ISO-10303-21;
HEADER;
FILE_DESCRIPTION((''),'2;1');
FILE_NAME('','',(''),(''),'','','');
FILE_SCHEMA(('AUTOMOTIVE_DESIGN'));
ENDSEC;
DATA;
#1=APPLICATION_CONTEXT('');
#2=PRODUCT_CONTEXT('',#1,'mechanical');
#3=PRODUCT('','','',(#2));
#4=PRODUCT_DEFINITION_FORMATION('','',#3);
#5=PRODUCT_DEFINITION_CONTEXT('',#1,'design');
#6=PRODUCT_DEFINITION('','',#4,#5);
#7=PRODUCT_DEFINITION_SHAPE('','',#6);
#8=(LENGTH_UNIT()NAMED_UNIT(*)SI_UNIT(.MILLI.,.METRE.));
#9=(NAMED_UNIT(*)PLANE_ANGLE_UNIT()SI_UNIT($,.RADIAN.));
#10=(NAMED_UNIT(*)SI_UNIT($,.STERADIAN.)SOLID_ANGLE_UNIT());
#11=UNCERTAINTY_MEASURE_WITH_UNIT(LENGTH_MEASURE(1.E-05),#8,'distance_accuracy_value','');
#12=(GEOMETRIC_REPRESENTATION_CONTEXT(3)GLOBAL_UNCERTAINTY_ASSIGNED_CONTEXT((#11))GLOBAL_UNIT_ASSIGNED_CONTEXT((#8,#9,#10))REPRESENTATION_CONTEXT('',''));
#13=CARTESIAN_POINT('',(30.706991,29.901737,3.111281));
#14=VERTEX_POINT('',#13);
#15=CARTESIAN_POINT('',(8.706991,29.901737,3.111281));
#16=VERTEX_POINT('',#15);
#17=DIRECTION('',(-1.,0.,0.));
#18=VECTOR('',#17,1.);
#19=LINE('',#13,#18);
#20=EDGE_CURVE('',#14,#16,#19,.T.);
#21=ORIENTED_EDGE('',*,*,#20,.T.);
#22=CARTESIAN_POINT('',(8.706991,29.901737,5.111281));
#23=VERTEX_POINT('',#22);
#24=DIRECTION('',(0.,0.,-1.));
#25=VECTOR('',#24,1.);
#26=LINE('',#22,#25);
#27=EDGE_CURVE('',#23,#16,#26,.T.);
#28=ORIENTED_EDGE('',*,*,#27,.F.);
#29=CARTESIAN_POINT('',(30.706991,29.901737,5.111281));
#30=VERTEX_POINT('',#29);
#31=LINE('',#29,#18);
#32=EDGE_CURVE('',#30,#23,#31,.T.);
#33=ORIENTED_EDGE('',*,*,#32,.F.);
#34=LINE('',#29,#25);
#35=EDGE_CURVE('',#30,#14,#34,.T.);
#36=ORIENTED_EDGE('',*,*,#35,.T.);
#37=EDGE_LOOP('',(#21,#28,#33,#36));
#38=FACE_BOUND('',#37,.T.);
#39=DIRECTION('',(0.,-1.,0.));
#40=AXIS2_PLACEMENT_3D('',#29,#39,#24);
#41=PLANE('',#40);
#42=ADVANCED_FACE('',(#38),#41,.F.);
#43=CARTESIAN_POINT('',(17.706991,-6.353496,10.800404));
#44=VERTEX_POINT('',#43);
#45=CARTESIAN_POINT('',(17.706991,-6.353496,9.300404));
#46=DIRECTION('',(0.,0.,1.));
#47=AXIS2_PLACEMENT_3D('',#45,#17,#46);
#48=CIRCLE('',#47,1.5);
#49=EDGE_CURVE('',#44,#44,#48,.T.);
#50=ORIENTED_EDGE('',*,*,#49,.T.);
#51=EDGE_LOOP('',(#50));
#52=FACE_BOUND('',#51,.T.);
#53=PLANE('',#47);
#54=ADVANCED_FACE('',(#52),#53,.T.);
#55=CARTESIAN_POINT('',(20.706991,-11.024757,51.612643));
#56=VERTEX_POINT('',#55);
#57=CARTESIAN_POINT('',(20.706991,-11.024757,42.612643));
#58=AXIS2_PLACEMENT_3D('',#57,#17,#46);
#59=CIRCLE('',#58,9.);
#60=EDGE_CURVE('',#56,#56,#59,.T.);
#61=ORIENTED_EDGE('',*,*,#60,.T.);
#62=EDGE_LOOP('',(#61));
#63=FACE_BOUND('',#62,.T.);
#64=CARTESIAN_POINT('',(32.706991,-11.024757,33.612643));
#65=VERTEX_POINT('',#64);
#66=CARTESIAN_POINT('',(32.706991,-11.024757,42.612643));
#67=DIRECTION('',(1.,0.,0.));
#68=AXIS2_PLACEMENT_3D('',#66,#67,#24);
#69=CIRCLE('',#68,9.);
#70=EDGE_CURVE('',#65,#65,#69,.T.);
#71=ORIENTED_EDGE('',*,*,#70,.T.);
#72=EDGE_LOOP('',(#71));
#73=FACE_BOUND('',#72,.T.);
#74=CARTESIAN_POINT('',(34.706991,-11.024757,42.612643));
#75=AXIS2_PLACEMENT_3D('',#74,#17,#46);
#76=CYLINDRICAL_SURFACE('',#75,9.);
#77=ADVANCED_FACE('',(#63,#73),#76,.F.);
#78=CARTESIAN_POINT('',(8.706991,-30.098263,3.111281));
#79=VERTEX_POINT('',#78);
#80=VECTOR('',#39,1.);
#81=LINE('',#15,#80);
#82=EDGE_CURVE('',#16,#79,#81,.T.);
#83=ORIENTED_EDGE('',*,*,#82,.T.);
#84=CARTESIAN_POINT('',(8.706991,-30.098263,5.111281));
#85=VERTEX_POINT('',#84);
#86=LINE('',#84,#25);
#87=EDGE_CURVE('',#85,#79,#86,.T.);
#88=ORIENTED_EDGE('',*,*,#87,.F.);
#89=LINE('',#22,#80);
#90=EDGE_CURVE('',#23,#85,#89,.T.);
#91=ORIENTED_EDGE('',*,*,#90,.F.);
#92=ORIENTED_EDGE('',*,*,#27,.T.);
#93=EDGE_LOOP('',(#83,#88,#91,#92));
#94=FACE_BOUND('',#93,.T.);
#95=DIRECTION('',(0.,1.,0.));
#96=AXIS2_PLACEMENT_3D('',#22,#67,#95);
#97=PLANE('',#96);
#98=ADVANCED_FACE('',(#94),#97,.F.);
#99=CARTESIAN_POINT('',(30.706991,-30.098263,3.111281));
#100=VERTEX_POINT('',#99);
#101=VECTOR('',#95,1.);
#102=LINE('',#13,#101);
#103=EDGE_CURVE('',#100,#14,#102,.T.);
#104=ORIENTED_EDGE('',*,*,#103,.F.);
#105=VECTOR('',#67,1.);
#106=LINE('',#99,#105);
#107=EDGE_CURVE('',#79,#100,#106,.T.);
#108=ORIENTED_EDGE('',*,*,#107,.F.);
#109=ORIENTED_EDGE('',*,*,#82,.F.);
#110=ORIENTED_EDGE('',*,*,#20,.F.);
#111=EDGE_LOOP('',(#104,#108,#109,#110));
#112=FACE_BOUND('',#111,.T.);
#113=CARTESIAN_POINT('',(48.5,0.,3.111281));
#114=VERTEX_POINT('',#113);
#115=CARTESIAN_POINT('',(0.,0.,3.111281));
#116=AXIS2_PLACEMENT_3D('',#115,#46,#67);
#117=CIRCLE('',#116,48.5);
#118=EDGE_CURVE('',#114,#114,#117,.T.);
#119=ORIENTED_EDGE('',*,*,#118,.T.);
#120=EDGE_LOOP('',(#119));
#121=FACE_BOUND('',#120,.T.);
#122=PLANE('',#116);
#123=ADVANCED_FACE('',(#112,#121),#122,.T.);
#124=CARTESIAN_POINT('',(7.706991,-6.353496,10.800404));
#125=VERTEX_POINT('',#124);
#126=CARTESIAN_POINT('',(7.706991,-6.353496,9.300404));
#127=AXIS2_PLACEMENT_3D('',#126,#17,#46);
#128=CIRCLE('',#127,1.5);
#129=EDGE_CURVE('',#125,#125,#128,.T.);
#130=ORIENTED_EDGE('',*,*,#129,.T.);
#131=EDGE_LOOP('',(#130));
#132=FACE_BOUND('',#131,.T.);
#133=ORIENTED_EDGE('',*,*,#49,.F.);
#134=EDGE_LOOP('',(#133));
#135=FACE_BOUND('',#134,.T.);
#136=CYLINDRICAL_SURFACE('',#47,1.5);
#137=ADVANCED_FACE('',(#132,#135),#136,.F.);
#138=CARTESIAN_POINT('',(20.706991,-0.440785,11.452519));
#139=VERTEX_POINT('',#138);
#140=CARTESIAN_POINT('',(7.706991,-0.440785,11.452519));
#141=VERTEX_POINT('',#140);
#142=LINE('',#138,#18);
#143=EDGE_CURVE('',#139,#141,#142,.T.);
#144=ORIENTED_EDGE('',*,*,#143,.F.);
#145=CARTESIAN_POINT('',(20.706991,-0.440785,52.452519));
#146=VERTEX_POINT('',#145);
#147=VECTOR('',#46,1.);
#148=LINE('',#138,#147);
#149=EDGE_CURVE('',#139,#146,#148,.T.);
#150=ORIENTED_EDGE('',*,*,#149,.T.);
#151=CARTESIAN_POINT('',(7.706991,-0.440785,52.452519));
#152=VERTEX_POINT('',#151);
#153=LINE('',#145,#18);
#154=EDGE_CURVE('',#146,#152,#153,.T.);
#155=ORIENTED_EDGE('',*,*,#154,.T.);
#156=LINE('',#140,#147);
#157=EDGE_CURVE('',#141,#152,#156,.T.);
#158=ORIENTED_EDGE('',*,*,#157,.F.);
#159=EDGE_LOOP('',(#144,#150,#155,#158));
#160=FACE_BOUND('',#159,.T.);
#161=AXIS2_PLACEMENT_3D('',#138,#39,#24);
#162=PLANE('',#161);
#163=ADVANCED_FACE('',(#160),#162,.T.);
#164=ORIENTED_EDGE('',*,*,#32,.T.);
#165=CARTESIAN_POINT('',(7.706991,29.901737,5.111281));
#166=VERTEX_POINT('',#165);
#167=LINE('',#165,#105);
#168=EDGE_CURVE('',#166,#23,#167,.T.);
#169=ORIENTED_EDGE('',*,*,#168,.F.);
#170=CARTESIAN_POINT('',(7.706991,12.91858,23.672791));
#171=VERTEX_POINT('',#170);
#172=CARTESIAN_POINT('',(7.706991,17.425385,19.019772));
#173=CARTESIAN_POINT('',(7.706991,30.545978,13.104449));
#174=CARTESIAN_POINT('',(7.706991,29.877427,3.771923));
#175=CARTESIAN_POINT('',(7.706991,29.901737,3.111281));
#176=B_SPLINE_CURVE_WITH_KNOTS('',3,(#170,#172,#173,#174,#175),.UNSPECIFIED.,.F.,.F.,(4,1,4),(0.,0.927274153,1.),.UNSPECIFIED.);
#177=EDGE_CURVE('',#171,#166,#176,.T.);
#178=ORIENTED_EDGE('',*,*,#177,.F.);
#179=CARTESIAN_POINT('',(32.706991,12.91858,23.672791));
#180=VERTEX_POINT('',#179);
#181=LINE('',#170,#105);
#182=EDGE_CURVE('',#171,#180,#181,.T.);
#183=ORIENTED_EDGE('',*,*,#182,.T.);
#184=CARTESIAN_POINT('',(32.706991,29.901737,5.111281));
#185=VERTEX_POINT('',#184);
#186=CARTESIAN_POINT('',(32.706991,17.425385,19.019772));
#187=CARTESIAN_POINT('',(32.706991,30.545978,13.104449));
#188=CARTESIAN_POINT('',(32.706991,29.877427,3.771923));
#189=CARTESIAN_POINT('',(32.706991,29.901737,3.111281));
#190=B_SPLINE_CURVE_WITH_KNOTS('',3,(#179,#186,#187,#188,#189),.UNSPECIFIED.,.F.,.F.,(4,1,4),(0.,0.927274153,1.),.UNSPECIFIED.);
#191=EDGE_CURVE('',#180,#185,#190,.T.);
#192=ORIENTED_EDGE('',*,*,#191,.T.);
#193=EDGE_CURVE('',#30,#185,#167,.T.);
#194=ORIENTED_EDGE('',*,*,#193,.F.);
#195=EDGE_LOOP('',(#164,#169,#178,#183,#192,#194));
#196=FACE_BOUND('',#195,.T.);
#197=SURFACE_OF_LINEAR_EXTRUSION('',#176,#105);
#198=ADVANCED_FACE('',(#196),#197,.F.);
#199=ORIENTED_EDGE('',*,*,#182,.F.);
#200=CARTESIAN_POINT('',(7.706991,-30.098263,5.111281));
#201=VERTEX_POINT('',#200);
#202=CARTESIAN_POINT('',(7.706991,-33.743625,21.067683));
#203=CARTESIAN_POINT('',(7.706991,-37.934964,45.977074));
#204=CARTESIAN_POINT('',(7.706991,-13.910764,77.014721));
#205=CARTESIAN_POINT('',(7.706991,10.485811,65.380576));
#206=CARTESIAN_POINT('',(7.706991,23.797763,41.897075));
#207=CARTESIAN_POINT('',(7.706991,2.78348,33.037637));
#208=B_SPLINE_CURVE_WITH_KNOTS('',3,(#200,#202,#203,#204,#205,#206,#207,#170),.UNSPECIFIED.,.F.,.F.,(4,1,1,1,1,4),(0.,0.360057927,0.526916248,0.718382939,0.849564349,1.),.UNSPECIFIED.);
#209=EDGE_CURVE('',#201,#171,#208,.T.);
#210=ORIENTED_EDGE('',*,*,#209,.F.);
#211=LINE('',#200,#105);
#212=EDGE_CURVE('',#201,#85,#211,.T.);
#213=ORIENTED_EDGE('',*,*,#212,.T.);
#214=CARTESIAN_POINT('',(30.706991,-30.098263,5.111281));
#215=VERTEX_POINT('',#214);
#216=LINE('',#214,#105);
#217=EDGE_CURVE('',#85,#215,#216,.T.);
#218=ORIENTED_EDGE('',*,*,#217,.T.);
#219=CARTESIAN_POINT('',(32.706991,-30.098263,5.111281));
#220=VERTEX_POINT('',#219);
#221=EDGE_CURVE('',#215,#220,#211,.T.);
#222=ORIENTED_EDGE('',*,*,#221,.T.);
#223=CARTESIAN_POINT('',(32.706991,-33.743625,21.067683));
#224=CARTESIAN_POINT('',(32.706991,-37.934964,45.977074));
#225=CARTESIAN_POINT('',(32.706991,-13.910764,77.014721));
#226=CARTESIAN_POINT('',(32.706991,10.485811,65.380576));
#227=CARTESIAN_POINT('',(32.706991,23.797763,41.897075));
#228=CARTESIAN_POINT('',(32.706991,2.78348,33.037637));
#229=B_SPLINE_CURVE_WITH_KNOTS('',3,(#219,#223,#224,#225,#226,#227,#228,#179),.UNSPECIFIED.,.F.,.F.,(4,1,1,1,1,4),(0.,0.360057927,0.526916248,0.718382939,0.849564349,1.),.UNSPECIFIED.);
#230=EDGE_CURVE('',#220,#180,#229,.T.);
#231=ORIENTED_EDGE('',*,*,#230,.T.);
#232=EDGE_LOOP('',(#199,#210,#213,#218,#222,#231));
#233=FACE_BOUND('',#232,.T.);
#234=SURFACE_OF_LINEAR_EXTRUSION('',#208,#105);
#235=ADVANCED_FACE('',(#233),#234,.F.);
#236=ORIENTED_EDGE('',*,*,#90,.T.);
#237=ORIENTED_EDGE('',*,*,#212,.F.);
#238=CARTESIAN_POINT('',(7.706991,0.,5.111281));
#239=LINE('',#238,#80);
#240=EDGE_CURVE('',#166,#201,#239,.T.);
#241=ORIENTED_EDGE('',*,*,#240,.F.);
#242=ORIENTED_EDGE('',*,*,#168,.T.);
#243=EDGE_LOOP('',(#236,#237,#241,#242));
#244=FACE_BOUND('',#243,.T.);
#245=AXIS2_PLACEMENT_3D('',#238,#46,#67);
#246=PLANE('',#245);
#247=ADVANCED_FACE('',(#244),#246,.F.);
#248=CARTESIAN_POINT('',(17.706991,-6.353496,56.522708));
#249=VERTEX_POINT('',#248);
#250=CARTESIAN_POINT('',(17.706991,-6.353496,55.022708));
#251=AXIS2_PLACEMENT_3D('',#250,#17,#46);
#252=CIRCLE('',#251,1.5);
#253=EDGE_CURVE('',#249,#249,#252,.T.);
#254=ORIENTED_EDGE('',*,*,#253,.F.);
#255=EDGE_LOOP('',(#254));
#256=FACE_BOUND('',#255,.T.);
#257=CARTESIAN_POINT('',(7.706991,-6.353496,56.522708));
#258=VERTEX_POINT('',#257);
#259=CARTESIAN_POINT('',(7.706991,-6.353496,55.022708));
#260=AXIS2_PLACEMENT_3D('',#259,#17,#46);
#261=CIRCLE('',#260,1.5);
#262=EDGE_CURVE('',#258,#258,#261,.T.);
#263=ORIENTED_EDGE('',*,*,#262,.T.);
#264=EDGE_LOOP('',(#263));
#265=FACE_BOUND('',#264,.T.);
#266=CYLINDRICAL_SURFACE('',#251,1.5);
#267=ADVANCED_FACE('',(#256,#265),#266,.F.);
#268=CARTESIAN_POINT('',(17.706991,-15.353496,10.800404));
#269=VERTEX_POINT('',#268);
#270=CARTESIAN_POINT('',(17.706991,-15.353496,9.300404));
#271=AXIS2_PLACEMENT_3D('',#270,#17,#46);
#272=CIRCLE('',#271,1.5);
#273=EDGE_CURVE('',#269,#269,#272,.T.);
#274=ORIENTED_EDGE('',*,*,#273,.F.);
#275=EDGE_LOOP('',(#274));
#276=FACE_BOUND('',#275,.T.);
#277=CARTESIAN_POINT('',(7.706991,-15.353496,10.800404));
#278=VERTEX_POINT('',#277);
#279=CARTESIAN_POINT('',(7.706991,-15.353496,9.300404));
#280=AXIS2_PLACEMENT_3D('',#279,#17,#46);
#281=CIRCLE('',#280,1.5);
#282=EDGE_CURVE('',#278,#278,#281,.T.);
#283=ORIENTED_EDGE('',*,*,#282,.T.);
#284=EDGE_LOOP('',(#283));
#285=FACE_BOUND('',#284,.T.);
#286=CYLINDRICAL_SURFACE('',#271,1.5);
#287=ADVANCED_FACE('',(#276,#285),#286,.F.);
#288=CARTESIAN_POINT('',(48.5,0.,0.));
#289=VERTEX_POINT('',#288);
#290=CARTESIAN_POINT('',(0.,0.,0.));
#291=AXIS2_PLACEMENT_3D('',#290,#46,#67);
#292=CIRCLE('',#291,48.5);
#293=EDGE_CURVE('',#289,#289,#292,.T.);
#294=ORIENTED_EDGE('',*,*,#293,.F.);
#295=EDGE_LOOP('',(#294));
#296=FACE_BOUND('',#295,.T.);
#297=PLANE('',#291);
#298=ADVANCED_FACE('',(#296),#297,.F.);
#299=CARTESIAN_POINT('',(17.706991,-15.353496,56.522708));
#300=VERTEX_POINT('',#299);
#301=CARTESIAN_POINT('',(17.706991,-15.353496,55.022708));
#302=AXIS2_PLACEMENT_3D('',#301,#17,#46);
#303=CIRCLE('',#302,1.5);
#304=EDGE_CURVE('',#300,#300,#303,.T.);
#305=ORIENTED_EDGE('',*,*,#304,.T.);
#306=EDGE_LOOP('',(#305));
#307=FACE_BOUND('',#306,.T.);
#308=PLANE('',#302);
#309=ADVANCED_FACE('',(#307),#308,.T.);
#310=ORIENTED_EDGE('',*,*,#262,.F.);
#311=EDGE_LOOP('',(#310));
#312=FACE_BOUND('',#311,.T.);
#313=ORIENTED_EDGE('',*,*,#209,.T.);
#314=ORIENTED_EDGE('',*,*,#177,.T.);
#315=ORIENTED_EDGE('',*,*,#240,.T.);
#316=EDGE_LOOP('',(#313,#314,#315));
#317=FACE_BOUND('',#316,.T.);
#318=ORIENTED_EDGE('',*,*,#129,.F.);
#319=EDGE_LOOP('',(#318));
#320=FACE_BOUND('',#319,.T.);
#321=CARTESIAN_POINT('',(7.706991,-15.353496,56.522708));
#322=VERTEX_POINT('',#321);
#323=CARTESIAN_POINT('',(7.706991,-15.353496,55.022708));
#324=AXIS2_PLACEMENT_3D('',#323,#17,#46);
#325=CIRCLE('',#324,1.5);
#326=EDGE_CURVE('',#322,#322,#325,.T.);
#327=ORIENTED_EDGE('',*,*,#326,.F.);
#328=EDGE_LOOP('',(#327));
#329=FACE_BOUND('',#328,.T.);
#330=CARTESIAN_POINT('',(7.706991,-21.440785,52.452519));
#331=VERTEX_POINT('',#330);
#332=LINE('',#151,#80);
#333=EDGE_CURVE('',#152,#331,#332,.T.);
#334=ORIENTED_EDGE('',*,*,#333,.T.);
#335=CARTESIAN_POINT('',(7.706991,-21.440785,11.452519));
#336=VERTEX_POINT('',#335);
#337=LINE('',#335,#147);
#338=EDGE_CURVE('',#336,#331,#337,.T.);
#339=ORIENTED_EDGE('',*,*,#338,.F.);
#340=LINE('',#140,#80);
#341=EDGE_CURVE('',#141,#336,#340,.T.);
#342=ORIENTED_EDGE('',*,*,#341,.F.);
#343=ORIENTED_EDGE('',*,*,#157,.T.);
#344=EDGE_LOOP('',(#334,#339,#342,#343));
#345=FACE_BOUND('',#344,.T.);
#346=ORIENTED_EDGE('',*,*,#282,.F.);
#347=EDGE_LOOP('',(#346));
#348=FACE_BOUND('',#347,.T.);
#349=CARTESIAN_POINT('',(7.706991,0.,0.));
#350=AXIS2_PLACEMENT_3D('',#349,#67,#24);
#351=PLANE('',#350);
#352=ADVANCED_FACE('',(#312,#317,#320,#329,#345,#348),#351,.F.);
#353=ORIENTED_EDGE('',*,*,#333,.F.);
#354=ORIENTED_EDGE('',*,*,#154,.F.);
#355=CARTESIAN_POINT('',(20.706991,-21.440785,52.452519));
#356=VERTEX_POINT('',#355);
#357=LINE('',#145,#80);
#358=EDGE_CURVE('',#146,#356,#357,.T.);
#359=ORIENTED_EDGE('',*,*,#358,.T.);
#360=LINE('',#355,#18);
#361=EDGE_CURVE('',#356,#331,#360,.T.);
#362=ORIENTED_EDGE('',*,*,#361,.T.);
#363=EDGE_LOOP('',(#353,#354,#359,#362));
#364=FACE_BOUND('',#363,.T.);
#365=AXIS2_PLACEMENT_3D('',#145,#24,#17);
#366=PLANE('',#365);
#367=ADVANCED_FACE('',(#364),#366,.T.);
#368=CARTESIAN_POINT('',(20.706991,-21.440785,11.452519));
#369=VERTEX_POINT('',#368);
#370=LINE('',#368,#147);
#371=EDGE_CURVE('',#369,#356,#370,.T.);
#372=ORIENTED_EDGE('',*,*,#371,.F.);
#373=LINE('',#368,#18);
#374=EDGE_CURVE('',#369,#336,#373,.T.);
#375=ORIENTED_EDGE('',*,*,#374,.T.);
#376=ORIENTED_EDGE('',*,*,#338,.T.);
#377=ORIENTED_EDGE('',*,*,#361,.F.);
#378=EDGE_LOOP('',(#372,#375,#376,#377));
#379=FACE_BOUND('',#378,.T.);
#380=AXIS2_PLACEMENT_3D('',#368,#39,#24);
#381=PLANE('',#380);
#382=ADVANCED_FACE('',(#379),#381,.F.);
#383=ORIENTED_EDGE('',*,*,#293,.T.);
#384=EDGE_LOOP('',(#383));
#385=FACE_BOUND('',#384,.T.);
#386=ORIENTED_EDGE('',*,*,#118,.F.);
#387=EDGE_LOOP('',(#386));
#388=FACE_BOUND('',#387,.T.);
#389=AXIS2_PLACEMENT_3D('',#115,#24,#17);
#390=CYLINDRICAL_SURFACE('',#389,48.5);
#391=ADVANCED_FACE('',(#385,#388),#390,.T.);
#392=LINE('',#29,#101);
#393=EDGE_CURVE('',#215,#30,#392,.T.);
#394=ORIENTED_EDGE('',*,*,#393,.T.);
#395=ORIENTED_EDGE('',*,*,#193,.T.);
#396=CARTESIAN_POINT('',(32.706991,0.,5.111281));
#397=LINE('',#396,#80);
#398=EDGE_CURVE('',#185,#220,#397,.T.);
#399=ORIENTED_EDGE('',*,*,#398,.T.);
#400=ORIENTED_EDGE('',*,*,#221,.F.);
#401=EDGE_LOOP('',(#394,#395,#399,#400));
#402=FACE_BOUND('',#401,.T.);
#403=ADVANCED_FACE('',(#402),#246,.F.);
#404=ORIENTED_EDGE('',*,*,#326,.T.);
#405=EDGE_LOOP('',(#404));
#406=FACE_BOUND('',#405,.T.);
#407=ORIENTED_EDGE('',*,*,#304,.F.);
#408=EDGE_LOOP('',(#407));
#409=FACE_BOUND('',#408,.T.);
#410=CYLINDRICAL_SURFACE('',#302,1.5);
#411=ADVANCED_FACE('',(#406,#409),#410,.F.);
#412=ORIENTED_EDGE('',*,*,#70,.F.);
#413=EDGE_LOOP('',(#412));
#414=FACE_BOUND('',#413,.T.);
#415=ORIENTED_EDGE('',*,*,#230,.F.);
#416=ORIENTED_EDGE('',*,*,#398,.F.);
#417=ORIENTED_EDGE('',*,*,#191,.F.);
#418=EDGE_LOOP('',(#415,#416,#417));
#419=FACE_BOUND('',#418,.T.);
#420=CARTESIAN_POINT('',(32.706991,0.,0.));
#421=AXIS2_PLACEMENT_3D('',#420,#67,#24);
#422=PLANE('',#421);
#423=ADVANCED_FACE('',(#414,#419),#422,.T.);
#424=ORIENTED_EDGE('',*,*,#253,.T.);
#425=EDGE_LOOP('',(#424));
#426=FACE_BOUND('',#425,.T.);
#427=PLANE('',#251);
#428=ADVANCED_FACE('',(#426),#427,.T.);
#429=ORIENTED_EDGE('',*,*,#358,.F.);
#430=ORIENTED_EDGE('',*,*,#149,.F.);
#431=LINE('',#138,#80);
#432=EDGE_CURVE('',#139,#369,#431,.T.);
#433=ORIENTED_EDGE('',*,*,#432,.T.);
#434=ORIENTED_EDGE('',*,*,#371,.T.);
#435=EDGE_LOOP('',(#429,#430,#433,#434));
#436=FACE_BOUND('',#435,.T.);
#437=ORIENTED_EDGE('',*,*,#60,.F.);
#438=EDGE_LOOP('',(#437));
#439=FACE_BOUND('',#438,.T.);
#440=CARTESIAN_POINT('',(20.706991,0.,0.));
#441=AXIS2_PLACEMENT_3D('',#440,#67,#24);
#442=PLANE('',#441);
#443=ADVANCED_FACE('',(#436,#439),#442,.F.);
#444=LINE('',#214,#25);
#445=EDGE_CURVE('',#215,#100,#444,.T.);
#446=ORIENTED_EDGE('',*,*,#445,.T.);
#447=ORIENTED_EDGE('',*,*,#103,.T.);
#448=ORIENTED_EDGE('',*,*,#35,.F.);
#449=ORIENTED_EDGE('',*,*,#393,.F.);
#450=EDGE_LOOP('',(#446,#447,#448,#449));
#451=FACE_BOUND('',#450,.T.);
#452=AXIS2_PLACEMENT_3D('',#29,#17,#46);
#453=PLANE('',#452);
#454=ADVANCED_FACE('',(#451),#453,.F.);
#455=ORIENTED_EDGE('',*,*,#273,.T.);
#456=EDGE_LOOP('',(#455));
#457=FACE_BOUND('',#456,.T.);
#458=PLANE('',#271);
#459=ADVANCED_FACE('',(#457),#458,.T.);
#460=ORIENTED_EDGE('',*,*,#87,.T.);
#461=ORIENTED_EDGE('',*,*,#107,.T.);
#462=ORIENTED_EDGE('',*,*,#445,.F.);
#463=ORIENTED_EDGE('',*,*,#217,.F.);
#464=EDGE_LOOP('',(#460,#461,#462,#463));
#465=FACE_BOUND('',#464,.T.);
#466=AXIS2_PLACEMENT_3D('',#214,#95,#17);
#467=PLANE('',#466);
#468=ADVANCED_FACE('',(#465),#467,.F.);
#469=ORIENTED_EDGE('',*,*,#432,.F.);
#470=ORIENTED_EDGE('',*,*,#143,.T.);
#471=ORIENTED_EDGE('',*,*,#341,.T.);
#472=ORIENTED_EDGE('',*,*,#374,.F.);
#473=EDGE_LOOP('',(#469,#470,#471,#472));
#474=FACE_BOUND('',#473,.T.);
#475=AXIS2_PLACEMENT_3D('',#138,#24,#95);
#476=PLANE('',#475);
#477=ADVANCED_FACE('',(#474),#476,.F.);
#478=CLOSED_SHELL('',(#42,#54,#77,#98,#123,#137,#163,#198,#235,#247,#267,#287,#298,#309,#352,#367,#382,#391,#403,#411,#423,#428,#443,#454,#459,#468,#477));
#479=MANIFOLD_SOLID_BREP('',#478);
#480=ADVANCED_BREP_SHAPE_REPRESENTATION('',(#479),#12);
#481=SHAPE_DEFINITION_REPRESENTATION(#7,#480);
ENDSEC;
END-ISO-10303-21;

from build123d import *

# Parameters (mm, degrees)
SKETCH1_R                = 48.5
BOSS_EXTRUDE1_DEPTH      = 3.111281074
SKETCH2_W                = 22
SKETCH2_H                = 60
BOSS_EXTRUDE6_DEPTH      = 2
BOSS_EXTRUDE7_DEPTH      = 2
BOSS_EXTRUDE7_DEPTH_BACK = 23
SKETCH7_R                = 9
SKETCH7_W                = 41
SKETCH7_H                = 21
CUT_EXTRUDE5_DEPTH       = 13
SKETCH12_R               = 9
CUT_EXTRUDE6_DEPTH       = 14
SKETCH13_R               = 1.5
CUT_EXTRUDE7_DEPTH       = 10


with BuildPart() as part:
    # Sketch1 → Boss-Extrude1 (new body)
    with BuildSketch(Plane.XY):
        Circle(SKETCH1_R)
    extrude(amount=BOSS_EXTRUDE1_DEPTH)

    # Sketch2 → Boss-Extrude6 (add)
    with BuildSketch(Plane.XY.offset(3.111281074)):
        with Locations((19.70699147, -0.098262564)):
            Rectangle(SKETCH2_W, SKETCH2_H)
    extrude(amount=BOSS_EXTRUDE6_DEPTH)

    # Sketch6 → Boss-Extrude7 (add, two sides: drawn at the far end of the back side and taken through both)
    with BuildSketch(Plane(origin=(30.70699147, 0, 0), x_dir=(0, 0, -1), z_dir=(1, 0, 0)).offset(-BOSS_EXTRUDE7_DEPTH_BACK)):
        with BuildLine():
            Line((-5.111281074, -30.098262564), (-5.111281074, 29.901737436))
            add(Edge.make_bspline(
                [(-23.672790781, 12.918580112), (-19.019771768, 17.425385235), (-13.534645727, 29.591772181), (-5.111281074, 29.901737436)],
                knots=[0, 0, 0, 0, 0.927274153, 0.927274153, 0.927274153, 0.927274153], degree=3))
            add(Edge.make_bspline(
                [(-5.111281074, -30.098262564), (-21.067682827, -33.743624658), (-45.977074084, -37.934963998), (-77.014721166, -13.910764049), (-65.380576003, 10.485810573), (-41.897075437, 23.797763226), (-33.037636502, 2.78348011), (-23.672790781, 12.918580112)],
                knots=[0, 0, 0, 0, 0.360057927, 0.526916248, 0.718382939, 0.849564349, 1, 1, 1, 1], degree=3))
        make_face()
    extrude(amount=BOSS_EXTRUDE7_DEPTH + BOSS_EXTRUDE7_DEPTH_BACK)

    # Sketch7 → Cut-Extrude5 (cut)
    with BuildSketch(Plane.ZY.offset(-7.70699147)):
        with Locations((-46.721163339, -19.14114226)):
            Circle(SKETCH7_R)
        with Locations((31.95251948, -10.940784793)):
            Rectangle(SKETCH7_W, SKETCH7_H)
    extrude(amount=-CUT_EXTRUDE5_DEPTH, mode=Mode.SUBTRACT)

    # Sketch12 → Cut-Extrude6 (cut)
    with BuildSketch(Plane.ZY.offset(-20.70699147)):
        with Locations((42.612643274, -11.024756849)):
            Circle(SKETCH12_R)
    extrude(amount=-CUT_EXTRUDE6_DEPTH, mode=Mode.SUBTRACT)

    # Sketch13 → Cut-Extrude7 (cut)
    with BuildSketch(Plane.ZY.offset(-7.70699147)):
        with Locations((55.022708193, -6.353495735)):
            Circle(SKETCH13_R)
        with Locations((55.022708193, -15.353495735)):
            Circle(SKETCH13_R)
        with Locations((9.300403713, -6.353495735)):
            Circle(SKETCH13_R)
        with Locations((9.300403713, -15.353495735)):
            Circle(SKETCH13_R)
    extrude(amount=-CUT_EXTRUDE7_DEPTH, mode=Mode.SUBTRACT)


solid = part.part
